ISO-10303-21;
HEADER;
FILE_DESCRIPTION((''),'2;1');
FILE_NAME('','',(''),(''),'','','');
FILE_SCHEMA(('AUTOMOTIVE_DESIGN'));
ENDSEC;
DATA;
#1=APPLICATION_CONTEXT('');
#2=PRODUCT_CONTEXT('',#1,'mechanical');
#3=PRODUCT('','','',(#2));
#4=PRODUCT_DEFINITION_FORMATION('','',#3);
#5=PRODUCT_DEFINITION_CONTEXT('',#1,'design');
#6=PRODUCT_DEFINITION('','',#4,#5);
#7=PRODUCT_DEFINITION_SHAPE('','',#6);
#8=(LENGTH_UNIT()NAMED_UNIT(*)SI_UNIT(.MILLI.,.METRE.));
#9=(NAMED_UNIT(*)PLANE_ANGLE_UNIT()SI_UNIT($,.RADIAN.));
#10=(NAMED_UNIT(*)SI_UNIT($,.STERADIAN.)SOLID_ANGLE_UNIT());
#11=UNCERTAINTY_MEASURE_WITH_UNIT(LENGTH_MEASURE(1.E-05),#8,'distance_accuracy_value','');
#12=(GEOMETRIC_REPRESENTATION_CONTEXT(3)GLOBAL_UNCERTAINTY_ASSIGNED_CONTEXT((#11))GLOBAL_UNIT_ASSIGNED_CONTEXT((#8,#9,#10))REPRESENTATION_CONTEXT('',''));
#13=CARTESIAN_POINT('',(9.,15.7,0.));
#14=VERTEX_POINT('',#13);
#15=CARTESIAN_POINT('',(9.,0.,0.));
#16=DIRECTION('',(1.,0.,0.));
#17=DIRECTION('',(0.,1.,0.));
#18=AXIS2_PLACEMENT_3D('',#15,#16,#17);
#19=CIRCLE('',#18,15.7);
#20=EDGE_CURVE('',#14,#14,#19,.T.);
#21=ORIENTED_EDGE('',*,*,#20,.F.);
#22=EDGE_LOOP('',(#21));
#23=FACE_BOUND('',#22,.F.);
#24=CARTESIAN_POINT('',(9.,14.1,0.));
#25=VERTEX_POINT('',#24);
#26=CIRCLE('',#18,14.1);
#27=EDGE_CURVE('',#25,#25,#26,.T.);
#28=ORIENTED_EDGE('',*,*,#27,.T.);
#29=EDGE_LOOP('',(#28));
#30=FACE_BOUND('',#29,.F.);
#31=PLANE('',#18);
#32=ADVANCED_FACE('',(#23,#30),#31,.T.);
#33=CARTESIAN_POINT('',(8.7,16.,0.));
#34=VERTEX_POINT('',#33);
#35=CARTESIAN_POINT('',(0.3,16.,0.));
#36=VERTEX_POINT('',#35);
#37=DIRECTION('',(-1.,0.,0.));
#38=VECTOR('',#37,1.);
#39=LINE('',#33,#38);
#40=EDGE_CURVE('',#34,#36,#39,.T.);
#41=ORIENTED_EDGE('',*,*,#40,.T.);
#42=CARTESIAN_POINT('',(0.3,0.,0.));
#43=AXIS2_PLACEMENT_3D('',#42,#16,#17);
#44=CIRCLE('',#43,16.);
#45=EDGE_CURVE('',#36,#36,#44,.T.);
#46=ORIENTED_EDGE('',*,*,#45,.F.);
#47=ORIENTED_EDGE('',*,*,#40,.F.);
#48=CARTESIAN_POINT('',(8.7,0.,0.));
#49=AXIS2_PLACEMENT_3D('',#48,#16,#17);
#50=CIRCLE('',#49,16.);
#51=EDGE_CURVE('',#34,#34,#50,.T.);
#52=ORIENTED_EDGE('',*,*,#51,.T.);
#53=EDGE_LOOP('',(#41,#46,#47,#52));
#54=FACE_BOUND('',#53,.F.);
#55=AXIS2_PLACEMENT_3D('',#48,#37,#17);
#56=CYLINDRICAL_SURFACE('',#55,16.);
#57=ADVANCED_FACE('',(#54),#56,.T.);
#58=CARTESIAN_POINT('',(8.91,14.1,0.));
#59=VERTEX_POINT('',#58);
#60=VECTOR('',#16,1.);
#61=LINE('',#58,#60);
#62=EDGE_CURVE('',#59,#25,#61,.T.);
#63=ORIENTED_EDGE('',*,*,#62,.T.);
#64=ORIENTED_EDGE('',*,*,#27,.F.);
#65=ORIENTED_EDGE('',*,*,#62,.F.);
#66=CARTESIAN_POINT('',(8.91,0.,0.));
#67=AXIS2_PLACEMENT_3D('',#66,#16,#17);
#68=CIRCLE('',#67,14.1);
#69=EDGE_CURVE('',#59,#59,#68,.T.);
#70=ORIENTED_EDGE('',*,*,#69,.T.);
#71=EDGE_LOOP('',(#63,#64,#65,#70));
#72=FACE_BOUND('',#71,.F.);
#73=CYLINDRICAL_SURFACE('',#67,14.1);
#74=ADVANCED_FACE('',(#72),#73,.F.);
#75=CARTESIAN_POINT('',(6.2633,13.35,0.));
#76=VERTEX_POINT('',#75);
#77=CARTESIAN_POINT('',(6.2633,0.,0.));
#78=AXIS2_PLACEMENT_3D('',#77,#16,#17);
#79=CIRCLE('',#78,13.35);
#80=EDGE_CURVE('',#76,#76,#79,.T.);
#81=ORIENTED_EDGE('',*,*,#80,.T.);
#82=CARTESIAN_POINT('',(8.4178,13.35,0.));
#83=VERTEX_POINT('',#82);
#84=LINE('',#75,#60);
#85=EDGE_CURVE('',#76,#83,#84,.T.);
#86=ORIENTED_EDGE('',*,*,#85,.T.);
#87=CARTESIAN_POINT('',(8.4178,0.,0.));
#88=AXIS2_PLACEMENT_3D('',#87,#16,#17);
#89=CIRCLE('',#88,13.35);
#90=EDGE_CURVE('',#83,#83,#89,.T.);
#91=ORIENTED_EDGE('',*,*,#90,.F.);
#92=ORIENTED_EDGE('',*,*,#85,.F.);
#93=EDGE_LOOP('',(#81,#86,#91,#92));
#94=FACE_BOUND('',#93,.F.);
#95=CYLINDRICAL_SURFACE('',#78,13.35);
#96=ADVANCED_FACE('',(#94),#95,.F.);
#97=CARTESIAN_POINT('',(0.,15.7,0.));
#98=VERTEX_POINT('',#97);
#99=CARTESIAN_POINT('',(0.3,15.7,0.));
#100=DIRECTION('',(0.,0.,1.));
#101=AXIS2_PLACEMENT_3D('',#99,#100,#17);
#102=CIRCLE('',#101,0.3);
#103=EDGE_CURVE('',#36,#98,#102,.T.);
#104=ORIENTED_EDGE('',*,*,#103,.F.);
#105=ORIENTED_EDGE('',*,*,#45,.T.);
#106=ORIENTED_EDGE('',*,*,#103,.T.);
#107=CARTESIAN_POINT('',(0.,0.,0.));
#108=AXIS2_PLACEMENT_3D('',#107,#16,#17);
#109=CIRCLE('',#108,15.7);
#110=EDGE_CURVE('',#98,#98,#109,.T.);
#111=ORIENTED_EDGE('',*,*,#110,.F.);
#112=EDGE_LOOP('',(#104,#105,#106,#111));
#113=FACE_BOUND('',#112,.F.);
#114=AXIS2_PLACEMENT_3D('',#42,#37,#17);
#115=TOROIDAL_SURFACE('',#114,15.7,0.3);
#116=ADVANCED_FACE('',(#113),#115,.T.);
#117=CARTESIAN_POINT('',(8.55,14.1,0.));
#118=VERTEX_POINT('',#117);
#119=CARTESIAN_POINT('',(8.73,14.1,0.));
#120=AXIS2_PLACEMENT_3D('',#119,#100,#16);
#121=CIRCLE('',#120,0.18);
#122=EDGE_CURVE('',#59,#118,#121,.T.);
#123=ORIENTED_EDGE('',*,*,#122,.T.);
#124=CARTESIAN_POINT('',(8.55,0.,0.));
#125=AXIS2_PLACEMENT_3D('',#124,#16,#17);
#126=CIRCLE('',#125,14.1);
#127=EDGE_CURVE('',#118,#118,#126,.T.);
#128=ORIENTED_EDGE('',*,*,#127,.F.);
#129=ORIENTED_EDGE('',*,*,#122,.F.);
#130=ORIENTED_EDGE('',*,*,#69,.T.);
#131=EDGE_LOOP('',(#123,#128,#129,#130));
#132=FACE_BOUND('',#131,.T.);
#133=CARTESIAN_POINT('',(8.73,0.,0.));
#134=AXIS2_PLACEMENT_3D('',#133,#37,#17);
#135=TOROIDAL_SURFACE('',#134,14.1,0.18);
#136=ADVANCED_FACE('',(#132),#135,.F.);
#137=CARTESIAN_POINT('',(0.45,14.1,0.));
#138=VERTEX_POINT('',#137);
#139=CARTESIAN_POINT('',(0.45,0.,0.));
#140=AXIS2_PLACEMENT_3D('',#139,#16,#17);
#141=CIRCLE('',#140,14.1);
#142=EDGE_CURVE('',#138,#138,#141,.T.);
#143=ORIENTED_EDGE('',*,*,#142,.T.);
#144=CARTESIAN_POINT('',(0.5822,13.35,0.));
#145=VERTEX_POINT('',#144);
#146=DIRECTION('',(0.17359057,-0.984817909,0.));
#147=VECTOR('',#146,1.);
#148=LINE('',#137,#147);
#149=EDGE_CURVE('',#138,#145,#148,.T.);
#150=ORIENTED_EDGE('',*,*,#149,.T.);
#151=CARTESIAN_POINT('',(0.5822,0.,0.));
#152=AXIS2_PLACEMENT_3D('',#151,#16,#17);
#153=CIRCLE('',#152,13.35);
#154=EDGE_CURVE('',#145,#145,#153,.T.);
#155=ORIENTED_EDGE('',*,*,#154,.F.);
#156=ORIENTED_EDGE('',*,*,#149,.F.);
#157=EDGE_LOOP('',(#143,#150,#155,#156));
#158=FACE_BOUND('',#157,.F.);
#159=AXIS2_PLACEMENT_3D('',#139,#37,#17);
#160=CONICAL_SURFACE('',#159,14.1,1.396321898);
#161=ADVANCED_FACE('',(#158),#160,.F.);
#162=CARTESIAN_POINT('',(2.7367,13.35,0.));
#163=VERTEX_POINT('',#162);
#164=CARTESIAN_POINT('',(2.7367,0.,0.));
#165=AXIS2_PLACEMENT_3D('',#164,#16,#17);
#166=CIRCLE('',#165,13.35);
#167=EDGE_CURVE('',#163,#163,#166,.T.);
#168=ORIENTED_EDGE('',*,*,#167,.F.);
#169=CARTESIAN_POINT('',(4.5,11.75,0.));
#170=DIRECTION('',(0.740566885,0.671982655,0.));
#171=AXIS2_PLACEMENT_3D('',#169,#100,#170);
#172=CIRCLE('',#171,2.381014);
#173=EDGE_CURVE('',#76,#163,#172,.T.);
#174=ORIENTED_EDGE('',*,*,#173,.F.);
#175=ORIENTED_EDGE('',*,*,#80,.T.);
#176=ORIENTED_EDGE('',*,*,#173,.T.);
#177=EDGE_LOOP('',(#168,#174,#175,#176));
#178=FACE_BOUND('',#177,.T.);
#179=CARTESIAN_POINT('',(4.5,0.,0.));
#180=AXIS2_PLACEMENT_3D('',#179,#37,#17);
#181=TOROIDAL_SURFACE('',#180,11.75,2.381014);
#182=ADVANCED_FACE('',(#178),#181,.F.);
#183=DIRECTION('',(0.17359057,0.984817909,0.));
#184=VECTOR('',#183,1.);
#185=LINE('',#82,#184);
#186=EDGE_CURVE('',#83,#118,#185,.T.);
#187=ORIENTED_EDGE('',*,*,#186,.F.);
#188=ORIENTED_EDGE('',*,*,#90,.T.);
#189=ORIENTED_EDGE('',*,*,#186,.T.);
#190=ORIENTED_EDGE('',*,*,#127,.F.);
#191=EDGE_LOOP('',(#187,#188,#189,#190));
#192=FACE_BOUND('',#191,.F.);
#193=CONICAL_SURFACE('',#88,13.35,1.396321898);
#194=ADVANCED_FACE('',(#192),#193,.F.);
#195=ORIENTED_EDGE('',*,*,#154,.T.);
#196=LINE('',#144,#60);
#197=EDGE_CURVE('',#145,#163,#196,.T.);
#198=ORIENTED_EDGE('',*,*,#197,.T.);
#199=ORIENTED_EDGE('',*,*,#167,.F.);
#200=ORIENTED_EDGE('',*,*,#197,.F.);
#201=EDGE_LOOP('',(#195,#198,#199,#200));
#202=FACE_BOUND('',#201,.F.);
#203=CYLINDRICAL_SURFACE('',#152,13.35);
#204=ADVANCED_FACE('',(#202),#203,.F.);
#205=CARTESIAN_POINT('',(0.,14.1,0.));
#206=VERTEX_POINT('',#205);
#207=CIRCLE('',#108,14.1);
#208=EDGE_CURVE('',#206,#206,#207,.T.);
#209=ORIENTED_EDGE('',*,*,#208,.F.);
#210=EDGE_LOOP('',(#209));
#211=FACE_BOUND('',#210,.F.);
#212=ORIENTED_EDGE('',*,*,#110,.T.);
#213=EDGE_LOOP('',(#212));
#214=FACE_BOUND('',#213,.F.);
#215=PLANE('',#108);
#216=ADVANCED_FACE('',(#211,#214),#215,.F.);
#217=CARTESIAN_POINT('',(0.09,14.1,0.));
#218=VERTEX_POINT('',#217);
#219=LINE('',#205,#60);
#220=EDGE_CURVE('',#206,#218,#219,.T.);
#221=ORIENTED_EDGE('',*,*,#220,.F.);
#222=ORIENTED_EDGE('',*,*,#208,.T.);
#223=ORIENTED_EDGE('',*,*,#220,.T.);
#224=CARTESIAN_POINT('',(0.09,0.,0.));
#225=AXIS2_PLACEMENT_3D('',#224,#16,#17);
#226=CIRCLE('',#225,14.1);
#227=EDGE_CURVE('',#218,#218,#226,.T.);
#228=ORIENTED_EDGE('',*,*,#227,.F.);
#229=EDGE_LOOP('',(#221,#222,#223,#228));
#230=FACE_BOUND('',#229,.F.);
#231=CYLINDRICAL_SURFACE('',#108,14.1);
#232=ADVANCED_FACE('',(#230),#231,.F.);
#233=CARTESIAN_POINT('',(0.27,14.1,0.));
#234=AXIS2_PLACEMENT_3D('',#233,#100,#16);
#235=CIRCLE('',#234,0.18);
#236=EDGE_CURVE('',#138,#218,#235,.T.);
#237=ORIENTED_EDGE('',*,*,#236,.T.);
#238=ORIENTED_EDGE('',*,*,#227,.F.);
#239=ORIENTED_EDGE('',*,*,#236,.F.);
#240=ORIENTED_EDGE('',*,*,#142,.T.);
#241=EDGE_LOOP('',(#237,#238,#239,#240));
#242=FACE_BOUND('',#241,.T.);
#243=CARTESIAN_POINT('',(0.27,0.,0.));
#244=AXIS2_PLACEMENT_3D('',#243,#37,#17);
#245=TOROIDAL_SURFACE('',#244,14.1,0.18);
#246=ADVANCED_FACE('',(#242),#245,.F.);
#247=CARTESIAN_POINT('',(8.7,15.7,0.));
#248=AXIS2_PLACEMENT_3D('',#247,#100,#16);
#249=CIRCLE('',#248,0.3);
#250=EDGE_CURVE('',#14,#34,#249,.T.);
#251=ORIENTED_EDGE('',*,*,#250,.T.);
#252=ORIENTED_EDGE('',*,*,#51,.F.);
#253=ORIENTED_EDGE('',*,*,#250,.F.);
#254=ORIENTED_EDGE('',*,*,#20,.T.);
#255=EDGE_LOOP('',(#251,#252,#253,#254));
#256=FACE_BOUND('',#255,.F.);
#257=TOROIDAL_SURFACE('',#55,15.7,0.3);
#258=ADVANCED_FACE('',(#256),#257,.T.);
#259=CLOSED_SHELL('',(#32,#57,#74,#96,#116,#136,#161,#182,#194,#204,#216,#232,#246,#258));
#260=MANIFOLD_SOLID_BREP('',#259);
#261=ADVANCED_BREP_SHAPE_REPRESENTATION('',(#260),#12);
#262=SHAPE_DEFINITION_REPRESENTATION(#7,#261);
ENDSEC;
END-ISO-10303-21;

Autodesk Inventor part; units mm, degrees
ref_plane "YZ Plane" through (0, 0, 0) normal (1, 0, 0) x (0, 1, 0)
ref_plane "XZ Plane" through (0, 0, 0) normal (0, 1, 0) x (-1, 0, 0)
ref_plane "XY Plane" through (0, 0, 0) normal (0, 0, 1) x (1, 0, 0)
sketch "Sketch_2" plane through (0, 0, 0) normal (0, 0, 1) x (1, 0, 0)
  line L0 (50, 0) -> (-50, 0)
  line L1 (0, 14.1) -> (0.09, 14.1)
  arc A0 (0.45, 14.1) -> (0.09, 14.1) centre (0.27, 14.1) ccw
  line L2 (0.45, 14.1) -> (0.5822, 13.35)
  line L3 (0.5822, 13.35) -> (2.7367, 13.35)
  arc A1 (6.2633, 13.35) -> (2.7367, 13.35) centre (4.5, 11.75) ccw
  line L4 (6.2633, 13.35) -> (8.4178, 13.35)
  line L5 (8.4178, 13.35) -> (8.55, 14.1)
  arc A2 (8.91, 14.1) -> (8.55, 14.1) centre (8.73, 14.1) ccw
  line L6 (8.91, 14.1) -> (9, 14.1)
  line L7 (9, 14.1) -> (9, 15.7)
  arc A3 (9, 15.7) -> (8.7, 16) centre (8.7, 15.7) ccw
  line L8 (8.7, 16) -> (0.3, 16)
  arc A4 (0.3, 16) -> (0, 15.7) centre (0.3, 15.7) ccw
  line L9 (0, 15.7) -> (0, 14.1)
revolve "Revolution1" add sketch "Sketch_2" angle 360 about axis through (50, 0, 0) along (1, 0, 0)
properties part number "6002_PART2"
